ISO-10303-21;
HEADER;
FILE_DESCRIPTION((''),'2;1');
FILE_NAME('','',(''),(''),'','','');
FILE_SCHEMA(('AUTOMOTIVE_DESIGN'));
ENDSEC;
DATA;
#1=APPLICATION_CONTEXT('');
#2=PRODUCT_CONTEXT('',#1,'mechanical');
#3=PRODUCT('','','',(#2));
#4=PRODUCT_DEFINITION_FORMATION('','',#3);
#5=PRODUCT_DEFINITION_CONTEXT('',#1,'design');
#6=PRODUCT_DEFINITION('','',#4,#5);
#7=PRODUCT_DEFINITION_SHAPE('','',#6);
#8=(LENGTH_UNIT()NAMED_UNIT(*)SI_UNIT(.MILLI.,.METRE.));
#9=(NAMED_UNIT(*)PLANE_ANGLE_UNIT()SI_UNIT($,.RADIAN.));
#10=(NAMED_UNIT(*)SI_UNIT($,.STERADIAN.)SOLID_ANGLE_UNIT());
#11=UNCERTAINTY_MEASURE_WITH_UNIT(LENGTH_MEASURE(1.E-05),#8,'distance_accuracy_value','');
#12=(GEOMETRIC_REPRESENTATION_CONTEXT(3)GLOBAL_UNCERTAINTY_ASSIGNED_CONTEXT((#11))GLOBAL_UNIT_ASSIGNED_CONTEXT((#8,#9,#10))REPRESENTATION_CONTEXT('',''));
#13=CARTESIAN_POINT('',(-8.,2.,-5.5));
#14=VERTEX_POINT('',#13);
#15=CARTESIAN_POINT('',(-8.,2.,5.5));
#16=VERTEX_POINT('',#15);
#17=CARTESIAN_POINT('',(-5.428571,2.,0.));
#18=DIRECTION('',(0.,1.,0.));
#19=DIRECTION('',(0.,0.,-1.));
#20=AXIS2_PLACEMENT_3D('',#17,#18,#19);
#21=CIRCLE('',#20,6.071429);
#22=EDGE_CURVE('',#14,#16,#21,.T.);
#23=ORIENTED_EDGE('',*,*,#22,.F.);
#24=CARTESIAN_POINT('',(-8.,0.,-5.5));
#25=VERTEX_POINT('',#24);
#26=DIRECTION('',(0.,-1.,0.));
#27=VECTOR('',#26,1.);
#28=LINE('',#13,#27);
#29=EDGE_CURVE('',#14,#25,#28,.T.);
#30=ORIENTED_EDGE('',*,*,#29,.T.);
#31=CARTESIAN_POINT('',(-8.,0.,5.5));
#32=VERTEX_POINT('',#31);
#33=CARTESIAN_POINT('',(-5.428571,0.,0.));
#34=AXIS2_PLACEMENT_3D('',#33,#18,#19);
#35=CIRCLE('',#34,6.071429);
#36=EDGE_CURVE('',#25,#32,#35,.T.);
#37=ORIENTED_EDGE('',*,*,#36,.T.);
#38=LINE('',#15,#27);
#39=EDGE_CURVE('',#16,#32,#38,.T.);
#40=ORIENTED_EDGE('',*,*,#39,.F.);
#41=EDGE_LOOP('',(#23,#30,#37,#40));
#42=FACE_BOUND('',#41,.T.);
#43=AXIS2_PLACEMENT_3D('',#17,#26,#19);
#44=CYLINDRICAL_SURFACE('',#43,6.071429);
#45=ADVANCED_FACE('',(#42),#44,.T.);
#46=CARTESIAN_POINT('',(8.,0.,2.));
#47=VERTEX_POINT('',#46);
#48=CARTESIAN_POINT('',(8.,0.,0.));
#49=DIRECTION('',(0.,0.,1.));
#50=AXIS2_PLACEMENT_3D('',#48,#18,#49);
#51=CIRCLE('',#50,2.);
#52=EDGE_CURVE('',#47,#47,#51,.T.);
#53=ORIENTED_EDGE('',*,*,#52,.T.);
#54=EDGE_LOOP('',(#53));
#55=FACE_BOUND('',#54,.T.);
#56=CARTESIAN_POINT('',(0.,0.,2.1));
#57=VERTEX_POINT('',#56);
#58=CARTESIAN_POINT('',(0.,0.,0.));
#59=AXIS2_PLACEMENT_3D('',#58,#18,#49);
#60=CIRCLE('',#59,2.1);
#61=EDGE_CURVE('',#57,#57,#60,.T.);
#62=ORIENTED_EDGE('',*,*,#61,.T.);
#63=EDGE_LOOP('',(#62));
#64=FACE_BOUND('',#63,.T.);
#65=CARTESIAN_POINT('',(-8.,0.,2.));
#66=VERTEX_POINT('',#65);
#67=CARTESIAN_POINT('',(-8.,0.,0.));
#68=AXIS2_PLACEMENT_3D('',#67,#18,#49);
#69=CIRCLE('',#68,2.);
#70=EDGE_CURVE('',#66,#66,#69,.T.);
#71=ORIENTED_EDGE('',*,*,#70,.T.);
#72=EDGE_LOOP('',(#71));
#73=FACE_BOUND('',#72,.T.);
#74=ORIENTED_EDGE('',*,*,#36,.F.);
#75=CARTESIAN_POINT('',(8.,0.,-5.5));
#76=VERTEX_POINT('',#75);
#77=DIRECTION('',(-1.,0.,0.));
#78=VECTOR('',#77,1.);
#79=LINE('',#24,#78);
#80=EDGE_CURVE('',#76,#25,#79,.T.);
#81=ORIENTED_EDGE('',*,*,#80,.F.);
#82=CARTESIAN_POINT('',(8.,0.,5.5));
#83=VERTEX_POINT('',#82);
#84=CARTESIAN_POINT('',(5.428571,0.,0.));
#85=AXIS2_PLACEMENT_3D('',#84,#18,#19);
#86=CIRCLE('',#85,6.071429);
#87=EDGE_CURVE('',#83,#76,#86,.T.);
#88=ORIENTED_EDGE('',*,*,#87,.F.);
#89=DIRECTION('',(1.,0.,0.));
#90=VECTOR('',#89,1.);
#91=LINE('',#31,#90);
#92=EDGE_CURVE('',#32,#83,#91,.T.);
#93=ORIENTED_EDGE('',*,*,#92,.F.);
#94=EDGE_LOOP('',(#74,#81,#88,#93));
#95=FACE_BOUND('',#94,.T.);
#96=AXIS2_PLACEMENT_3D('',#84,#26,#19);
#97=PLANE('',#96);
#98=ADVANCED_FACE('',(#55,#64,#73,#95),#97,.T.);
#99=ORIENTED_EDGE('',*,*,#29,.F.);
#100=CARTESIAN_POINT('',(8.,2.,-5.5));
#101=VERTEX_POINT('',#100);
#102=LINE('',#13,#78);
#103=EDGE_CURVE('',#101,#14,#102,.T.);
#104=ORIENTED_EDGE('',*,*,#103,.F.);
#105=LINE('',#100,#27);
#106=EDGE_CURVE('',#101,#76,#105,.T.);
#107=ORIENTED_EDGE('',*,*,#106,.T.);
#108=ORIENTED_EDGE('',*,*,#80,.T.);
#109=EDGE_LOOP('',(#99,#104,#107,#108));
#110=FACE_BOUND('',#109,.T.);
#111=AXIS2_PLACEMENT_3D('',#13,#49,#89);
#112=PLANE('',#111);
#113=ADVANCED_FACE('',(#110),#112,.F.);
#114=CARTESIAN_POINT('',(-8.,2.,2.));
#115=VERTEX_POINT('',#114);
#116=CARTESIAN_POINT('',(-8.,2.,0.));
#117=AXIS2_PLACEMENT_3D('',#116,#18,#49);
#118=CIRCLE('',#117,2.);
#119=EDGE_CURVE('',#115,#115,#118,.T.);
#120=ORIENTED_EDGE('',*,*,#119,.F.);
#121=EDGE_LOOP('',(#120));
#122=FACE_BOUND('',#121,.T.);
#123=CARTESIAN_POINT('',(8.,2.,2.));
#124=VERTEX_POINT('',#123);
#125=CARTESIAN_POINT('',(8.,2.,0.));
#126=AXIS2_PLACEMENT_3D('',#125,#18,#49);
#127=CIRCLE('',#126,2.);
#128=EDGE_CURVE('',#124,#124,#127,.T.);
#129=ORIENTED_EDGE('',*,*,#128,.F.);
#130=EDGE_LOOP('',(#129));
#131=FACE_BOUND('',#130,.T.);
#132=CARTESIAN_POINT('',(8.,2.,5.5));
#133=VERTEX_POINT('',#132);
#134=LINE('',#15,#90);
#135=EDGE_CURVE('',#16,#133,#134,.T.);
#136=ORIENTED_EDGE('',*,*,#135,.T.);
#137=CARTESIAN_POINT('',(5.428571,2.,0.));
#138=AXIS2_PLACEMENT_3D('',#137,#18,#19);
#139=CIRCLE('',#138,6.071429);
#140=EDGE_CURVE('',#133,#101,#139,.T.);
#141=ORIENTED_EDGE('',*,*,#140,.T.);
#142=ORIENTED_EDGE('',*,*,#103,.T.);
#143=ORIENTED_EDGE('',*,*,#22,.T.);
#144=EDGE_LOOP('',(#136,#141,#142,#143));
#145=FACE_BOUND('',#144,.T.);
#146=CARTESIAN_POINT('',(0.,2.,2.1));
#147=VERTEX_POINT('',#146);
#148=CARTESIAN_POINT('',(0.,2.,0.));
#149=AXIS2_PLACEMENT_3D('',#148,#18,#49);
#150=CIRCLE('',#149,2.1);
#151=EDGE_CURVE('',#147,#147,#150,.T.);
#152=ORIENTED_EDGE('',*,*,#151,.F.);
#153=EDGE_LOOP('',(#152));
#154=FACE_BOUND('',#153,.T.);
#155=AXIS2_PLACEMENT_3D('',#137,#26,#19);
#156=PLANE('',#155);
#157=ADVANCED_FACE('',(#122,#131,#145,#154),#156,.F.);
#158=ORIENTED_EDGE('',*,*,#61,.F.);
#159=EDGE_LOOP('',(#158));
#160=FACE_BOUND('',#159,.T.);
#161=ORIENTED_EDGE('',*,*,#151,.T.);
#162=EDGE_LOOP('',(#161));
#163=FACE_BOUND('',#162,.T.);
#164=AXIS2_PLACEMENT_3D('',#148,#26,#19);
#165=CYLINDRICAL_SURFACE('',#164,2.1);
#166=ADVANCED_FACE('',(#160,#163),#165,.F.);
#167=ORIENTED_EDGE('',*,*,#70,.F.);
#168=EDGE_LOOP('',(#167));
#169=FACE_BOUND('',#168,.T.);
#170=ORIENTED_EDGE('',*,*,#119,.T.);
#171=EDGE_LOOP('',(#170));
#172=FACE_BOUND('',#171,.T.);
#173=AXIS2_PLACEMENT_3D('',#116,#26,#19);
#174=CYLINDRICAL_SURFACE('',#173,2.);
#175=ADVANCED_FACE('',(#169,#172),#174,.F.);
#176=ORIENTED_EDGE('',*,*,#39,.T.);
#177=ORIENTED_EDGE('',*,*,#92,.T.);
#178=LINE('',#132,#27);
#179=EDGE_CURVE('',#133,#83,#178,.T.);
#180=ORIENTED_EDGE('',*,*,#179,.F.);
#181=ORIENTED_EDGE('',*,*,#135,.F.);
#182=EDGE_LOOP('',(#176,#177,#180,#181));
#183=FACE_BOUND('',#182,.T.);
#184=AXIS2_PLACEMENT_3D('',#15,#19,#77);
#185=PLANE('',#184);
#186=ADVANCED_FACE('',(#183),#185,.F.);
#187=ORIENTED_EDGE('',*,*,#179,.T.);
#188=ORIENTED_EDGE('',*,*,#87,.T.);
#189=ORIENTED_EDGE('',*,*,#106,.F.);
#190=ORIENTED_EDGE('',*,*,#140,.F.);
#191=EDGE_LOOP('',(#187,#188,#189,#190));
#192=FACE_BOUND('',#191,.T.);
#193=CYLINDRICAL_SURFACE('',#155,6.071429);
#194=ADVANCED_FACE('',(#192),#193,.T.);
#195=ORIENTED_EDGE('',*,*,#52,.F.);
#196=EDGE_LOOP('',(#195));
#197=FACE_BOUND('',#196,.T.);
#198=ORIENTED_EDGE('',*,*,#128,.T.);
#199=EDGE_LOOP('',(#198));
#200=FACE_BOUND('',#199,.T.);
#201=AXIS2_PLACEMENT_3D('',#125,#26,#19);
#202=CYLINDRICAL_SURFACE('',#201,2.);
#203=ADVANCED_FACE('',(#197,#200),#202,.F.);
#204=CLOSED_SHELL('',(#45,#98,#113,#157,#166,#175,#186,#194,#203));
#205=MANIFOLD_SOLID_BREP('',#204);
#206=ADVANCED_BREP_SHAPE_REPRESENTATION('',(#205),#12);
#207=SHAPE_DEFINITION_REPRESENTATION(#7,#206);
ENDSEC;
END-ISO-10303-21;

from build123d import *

# Parameters (mm, degrees)
CROQUIS1_R              = 2
CROQUIS1_R_2            = 2.1
SALIENTE_EXTRUIR1_DEPTH = 2


with BuildPart() as part:
    # Croquis1 → Saliente-Extruir1 (new body)
    with BuildSketch(Plane(origin=(0, 0, 0), x_dir=(1, 0, 0), z_dir=(0, 1, 0))):
        with BuildLine():
            Line((-8, 5.5), (8, 5.5))
            ThreePointArc((8, 5.5), (11.5, 0), (8, -5.5))
            Line((8, -5.5), (-8, -5.5))
            ThreePointArc((-8, -5.5), (-11.5, 0), (-8, 5.5))
        make_face()
        with Locations(Location((8, 0, 0), (0, 0, 270))):
            Circle(CROQUIS1_R, mode=Mode.SUBTRACT)
        with Locations(Location((0, 0, 0), (0, 0, 270))):
            Circle(CROQUIS1_R_2, mode=Mode.SUBTRACT)
        with Locations(Location((-8, 0, 0), (0, 0, 270))):
            Circle(CROQUIS1_R, mode=Mode.SUBTRACT)
    extrude(amount=SALIENTE_EXTRUIR1_DEPTH)


solid = part.part
